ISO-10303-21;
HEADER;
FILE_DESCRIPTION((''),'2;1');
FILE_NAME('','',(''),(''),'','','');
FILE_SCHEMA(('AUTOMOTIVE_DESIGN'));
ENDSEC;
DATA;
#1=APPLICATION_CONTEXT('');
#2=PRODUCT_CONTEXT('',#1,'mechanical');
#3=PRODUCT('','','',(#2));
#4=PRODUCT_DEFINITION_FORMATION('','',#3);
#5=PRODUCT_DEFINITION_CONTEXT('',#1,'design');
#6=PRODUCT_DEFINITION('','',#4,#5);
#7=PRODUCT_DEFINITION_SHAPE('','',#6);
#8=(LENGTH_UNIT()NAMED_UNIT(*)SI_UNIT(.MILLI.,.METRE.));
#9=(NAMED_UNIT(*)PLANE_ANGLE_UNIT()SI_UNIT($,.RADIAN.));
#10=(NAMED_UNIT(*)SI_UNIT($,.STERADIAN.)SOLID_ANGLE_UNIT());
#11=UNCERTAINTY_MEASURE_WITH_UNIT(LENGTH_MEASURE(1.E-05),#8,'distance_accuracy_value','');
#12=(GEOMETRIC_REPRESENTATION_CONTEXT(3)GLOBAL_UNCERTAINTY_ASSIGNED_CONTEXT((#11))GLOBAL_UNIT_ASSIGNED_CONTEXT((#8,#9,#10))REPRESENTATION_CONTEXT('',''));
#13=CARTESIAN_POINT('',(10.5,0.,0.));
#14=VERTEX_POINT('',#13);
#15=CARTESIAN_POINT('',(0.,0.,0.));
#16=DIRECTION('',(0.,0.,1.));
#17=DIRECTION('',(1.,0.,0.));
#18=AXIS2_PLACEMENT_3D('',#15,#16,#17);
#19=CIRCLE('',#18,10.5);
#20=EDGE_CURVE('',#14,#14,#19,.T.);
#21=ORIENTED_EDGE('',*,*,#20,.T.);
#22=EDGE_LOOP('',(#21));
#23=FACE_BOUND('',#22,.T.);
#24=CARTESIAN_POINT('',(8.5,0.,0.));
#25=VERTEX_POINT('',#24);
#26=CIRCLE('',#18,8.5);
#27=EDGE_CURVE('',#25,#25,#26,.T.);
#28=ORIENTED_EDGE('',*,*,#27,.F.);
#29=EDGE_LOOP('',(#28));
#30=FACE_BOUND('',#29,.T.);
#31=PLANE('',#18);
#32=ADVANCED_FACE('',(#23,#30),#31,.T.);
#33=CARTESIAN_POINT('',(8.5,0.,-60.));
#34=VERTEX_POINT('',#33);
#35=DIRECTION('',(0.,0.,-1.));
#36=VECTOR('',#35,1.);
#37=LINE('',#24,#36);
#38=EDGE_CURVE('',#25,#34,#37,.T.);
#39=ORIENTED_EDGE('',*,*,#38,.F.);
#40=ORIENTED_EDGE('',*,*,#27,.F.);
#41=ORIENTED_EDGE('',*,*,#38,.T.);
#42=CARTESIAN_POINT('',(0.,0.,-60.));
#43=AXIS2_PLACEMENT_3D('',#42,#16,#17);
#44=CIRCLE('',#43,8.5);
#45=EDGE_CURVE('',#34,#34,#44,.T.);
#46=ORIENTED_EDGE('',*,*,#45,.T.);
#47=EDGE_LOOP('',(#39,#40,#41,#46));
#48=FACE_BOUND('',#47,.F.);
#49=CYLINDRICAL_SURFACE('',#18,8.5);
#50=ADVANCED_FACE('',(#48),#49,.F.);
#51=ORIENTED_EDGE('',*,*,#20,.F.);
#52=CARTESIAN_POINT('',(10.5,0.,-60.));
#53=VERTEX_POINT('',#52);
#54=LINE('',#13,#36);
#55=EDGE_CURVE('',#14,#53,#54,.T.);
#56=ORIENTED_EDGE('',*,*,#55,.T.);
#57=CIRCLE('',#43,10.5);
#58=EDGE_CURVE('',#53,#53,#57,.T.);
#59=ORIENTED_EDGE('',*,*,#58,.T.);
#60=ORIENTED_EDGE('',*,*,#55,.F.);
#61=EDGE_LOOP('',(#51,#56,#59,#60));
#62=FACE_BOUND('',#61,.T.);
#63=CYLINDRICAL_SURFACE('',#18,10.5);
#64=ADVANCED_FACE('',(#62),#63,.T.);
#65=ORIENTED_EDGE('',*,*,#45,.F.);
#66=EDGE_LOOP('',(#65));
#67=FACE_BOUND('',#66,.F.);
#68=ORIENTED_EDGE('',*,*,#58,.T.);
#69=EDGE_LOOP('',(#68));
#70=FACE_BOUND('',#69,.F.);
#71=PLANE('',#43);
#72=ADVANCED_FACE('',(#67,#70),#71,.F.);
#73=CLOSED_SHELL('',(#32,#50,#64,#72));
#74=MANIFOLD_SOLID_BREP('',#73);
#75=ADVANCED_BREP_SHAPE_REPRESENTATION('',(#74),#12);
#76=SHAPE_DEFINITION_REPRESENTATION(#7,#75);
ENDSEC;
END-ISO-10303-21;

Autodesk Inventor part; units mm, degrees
ref_plane "YZ Plane" through (0, 0, 0) normal (1, 0, 0) x (0, 1, 0)
ref_plane "XZ Plane" through (0, 0, 0) normal (0, 1, 0) x (-1, 0, 0)
ref_plane "XY Plane" through (0, 0, 0) normal (0, 0, 1) x (1, 0, 0)
sketch "Sketch11" plane through (0, 0, 0) normal (0, 0, 1) x (1, 0, 0)
  circle A0 centre (0, 0) radius 10.5
  circle A1 centre (0, 0) radius 8.5
  dimension "d187" = 21
  dimension "d188" = 2
extrude "Extrusion5" add sketch "Sketch11" against normal blind 60
properties part number "SLM 1686 FDS 1000 way tube 6" material "Stainless Steel"
